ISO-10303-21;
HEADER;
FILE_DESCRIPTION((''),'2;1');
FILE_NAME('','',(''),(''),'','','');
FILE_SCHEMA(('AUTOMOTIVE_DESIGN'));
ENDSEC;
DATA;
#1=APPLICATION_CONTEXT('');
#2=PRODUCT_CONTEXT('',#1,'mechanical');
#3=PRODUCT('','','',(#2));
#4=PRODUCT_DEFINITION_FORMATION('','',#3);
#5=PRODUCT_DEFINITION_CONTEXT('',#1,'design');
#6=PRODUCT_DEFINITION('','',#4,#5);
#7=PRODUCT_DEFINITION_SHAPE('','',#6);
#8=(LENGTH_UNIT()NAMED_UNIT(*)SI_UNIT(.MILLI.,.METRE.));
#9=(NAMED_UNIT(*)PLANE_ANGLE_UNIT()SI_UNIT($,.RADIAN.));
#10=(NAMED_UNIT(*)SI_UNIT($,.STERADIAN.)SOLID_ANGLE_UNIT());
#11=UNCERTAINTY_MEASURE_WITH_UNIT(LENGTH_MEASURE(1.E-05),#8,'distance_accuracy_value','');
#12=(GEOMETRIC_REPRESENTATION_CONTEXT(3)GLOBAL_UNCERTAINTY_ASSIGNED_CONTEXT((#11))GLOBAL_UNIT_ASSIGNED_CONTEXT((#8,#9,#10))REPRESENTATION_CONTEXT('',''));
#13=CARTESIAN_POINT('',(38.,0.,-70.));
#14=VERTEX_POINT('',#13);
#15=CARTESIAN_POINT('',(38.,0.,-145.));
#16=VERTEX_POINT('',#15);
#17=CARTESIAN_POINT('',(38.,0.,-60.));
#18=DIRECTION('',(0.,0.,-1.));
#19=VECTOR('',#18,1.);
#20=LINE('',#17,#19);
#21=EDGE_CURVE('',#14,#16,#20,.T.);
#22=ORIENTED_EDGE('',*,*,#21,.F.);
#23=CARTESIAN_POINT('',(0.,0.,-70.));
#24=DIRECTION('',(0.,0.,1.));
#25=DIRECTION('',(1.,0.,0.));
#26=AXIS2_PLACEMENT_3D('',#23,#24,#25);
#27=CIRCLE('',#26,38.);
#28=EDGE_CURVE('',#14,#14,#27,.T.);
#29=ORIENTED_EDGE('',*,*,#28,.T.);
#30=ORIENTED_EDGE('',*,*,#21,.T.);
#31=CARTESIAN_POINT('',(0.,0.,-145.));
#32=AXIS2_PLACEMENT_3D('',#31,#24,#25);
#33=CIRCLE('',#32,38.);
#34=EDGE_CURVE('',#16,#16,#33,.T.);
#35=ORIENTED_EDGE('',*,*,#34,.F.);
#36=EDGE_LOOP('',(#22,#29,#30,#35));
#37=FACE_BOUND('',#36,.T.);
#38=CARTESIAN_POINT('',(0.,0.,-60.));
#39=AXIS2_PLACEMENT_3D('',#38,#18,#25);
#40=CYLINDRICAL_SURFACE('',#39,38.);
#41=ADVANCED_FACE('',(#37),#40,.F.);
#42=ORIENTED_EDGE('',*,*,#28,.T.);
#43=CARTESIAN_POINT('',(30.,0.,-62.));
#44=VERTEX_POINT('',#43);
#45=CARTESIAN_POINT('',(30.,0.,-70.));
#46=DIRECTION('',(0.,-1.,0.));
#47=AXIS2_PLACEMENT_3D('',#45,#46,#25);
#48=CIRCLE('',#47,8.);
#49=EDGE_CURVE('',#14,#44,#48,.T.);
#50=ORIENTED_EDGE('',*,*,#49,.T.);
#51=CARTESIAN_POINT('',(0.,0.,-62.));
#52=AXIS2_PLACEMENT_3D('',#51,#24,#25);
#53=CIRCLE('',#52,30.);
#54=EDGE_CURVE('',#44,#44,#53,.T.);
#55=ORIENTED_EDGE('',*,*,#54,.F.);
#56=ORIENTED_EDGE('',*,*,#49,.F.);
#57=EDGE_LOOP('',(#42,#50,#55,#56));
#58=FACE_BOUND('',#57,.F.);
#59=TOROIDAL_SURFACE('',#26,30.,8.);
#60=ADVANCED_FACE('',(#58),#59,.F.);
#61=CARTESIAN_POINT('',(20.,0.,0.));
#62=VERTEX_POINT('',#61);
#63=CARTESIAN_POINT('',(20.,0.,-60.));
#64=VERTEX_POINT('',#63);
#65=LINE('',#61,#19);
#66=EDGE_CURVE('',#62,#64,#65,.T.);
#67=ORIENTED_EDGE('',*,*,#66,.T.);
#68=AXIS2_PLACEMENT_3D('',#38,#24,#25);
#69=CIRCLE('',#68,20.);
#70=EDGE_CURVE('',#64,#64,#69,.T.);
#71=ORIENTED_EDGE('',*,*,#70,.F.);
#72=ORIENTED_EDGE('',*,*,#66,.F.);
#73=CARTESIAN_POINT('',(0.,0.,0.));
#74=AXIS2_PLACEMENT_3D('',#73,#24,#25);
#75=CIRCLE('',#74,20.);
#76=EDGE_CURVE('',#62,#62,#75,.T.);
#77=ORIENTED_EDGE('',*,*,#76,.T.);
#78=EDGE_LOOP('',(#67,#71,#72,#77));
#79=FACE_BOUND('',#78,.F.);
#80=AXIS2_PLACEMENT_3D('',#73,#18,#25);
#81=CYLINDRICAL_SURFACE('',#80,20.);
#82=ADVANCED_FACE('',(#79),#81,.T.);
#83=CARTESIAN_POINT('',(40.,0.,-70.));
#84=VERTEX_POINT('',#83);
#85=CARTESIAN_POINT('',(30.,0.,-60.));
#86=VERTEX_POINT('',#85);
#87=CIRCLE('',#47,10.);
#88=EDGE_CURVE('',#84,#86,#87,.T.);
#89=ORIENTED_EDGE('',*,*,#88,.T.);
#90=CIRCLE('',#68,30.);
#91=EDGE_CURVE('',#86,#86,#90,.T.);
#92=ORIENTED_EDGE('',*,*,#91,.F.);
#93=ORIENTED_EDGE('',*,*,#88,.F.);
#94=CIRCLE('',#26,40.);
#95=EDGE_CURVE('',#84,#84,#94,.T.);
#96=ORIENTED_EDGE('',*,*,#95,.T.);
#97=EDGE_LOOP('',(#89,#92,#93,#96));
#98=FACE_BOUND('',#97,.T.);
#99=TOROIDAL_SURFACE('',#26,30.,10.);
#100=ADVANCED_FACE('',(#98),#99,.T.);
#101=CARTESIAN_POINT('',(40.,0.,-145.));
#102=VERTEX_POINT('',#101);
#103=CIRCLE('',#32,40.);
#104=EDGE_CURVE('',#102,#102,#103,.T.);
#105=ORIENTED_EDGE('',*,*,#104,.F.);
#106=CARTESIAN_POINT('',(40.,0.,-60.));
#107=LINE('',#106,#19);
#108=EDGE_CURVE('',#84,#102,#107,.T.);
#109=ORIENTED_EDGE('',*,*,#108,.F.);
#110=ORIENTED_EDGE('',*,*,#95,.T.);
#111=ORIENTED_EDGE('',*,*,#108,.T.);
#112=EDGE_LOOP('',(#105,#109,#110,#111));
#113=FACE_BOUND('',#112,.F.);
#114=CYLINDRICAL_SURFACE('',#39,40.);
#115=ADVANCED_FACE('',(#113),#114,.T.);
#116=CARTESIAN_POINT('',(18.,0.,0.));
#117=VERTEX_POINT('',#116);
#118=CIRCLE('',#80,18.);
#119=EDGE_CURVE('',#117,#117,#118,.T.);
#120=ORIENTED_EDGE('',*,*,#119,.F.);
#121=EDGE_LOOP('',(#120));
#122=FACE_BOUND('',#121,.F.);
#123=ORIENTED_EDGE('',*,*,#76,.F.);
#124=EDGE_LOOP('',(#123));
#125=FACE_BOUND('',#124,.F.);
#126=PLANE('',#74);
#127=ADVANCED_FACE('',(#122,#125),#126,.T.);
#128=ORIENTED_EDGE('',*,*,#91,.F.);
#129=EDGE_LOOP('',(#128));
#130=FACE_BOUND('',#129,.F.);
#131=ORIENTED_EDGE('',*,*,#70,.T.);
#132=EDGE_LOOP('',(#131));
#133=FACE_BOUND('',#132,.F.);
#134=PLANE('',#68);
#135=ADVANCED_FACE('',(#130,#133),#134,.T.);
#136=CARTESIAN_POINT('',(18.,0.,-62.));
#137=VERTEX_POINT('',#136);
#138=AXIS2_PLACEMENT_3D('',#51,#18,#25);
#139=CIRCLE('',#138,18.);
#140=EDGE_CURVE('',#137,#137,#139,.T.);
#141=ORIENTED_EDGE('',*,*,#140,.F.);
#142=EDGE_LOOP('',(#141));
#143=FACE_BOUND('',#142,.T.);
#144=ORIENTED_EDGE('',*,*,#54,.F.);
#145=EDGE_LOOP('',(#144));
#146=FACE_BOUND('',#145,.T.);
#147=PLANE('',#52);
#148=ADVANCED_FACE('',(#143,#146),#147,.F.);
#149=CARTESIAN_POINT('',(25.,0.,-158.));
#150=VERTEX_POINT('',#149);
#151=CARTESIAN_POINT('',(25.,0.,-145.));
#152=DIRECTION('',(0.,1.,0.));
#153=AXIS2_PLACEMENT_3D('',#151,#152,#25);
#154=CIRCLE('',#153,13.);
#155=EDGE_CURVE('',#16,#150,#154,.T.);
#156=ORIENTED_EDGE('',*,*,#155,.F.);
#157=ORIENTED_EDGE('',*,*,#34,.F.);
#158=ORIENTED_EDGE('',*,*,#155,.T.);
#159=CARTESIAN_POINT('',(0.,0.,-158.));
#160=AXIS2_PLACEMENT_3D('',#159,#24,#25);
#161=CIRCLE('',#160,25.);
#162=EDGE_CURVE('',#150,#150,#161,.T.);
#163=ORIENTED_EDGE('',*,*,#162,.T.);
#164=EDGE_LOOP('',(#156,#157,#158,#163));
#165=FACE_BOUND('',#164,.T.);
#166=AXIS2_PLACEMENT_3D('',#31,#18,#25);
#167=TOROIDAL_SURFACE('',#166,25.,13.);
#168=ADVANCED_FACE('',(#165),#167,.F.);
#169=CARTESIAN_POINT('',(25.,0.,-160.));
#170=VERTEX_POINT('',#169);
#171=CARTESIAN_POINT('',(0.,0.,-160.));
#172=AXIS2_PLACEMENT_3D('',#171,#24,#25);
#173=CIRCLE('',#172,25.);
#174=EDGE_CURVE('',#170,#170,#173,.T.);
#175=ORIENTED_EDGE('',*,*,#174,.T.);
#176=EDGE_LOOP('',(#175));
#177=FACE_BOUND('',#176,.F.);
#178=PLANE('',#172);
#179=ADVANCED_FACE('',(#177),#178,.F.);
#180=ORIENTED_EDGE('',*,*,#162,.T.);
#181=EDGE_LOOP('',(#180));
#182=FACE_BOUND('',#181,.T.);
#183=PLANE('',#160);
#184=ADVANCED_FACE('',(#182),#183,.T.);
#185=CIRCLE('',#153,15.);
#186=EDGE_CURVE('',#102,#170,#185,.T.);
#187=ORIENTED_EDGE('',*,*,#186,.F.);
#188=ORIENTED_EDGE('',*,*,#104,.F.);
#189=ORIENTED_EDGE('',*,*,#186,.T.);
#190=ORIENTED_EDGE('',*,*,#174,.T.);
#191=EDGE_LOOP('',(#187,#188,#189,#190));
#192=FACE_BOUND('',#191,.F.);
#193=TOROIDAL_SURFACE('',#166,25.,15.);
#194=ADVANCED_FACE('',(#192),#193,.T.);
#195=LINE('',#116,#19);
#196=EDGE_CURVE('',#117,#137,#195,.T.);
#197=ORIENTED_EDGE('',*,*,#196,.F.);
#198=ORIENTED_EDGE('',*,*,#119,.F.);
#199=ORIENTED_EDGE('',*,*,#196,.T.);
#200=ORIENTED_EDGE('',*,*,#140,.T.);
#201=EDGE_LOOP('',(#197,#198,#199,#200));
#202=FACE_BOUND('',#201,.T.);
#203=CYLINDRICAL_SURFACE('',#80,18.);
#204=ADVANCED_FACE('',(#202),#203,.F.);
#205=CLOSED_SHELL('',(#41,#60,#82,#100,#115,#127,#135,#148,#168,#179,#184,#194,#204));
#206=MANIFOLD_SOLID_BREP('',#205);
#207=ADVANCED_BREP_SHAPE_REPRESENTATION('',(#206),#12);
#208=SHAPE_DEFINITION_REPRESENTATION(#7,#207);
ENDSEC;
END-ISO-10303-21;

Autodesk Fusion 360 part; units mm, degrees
sketch "Sketch1" plane through (0, 0, 0) normal (0, 1, 0) x (1, 0, 0)
  line L0 (0, 0) -> (20, 0)
  line L1 (20, 0) -> (20, 60)
  line L2 (20, 60) -> (40, 60)
  line L3 (40, 60) -> (40, 160)
  line L4 (40, 160) -> (0, 160)
  line L5 (0, 160) -> (0, 0)
  dimension "d8" = 100
  dimension "d9" = 160
  dimension "d10" = 20
revolve "Revolve1" add sketch "Sketch1" angle 360 about axis through (0, 0, -160) along (0, 0, 1)
fillet "Fillet1" radius 10 1 edges at (-37.2931, -14.4646, -60)
fillet "Fillet2" radius 15 1 edges at (-37.2931, -14.4646, -160)
shell "Shell1" thickness 2 removed faces 1 at (3.8604, -3.2472, 0)
equation "overalheight = 160 mm"
equation "neckheight = 100 mm"
equation "fillet1 = 15 mm"
equation "fillet2 = 10 mm"
equation "fillet3 = 5 mm"
equation "diameter = 20 mm"
equation "wallthickness = 2 mm"
equation "d8 = neckheight"
equation "d9 = overalheight"
equation "d10 = diameter"
equation "d12 = fillet2"
equation "d13 = fillet1"
equation "d14 = wallthickness"
